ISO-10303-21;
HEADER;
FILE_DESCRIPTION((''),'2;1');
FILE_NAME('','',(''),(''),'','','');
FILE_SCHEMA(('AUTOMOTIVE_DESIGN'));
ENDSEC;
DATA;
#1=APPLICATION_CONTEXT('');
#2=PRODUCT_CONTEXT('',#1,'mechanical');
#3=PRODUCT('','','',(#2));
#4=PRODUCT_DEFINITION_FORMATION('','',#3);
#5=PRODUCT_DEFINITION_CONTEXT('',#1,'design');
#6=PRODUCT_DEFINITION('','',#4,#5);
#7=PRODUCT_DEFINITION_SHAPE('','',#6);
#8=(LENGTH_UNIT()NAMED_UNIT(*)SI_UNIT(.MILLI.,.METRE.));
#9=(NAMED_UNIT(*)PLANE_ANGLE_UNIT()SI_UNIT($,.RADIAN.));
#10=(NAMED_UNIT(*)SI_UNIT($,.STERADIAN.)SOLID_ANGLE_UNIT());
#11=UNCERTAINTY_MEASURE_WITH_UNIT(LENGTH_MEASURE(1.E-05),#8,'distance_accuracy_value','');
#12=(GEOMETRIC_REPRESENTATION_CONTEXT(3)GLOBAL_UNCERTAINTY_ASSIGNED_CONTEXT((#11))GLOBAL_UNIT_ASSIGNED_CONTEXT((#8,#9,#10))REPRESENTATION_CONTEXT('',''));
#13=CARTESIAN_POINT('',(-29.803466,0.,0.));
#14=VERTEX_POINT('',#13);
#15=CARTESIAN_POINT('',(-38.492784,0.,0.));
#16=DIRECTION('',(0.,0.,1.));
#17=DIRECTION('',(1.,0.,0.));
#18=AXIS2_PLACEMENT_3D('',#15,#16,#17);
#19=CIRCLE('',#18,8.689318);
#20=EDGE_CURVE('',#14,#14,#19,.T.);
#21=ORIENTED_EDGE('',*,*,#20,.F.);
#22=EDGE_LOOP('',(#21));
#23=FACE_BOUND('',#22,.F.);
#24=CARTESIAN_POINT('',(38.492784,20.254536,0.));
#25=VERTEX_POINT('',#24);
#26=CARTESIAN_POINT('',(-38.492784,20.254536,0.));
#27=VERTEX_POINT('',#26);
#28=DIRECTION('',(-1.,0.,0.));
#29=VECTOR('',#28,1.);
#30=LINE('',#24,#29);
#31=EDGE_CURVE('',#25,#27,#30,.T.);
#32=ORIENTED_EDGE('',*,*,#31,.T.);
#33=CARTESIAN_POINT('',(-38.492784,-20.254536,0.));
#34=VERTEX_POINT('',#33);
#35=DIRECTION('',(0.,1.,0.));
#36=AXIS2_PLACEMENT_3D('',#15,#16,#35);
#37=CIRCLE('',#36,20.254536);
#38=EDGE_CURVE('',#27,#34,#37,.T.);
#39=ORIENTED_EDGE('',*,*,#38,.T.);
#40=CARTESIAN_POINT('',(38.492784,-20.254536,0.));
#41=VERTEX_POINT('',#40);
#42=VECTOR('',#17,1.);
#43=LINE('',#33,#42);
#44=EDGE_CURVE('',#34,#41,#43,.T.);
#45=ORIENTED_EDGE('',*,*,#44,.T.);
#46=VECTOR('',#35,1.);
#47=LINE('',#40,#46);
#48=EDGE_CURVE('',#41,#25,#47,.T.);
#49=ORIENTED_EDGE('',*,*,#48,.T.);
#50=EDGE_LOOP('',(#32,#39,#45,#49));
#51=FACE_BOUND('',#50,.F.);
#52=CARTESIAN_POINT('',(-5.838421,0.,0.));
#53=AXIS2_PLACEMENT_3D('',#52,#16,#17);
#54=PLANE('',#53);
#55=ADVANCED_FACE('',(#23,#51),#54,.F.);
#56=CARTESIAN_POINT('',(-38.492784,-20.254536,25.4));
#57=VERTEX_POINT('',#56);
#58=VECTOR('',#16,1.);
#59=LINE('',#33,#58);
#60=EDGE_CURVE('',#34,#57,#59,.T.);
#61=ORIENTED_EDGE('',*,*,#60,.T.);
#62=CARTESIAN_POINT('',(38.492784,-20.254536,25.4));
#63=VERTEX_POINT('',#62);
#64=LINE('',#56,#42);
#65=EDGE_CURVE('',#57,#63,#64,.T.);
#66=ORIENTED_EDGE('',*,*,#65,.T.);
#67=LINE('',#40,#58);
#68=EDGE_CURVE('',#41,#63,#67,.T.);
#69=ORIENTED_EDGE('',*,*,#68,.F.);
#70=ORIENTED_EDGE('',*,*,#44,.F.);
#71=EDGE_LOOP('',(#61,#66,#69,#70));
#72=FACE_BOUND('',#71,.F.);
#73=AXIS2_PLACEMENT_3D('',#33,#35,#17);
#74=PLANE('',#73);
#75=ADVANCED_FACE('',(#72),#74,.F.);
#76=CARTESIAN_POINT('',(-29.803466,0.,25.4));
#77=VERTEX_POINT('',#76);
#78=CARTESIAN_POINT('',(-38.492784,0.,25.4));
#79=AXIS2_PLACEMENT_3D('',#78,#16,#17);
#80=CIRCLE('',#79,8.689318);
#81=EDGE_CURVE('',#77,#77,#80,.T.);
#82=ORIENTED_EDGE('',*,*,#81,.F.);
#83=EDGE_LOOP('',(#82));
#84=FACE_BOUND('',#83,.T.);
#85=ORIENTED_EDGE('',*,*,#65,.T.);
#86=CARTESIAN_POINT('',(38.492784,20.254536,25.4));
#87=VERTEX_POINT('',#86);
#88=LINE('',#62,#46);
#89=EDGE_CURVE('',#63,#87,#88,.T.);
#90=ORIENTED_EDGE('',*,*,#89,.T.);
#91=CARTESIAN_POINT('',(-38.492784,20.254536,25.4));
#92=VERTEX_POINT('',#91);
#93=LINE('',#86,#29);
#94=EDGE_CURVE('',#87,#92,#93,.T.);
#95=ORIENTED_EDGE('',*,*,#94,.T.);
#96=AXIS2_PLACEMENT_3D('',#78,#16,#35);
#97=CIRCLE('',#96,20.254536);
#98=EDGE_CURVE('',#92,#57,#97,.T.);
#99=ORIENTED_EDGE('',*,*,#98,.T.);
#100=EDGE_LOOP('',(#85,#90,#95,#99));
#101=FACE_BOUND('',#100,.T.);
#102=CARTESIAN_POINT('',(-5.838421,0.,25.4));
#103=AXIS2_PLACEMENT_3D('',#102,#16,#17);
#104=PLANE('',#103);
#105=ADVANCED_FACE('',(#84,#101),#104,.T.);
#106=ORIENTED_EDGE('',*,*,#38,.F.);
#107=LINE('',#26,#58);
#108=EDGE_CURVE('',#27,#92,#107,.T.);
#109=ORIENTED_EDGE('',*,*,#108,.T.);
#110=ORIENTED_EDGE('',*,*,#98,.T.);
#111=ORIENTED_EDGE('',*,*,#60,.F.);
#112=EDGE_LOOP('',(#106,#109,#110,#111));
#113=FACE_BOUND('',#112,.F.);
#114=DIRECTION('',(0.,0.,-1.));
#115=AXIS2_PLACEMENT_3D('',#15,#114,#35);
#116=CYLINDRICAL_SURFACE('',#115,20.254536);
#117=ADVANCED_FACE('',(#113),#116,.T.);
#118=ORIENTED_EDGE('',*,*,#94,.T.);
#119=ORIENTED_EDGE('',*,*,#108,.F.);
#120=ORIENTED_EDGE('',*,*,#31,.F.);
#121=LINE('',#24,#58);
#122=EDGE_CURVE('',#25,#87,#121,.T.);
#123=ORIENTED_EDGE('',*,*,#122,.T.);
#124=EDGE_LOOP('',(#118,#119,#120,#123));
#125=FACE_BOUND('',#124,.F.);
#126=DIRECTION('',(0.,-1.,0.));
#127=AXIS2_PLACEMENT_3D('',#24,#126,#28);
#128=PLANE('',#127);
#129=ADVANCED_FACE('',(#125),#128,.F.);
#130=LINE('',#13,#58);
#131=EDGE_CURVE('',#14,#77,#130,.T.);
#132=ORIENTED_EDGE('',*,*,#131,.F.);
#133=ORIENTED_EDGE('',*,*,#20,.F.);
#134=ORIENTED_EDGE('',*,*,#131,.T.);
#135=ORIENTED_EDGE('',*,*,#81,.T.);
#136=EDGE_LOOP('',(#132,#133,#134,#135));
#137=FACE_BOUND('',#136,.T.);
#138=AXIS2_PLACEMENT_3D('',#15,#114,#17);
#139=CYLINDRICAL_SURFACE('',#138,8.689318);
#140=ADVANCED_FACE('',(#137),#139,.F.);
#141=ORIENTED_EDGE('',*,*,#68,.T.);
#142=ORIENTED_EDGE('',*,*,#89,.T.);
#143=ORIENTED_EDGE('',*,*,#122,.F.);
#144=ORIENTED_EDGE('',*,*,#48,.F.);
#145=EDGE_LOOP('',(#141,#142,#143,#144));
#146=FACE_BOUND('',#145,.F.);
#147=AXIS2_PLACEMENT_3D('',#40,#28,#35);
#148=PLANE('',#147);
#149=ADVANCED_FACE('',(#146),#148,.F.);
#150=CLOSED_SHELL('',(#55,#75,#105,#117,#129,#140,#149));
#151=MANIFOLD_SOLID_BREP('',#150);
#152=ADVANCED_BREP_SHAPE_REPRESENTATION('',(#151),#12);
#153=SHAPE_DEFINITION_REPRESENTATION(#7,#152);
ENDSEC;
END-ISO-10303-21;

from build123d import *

# Parameters (mm, degrees)
F0_R     = 8.689318
F1_DEPTH = 25.4


with BuildPart() as f1:
    # F0 (on Top) → F1 (new body)
    with BuildSketch(Plane.XY):
        with BuildLine():
            ThreePointArc((-38.492784, 20.254536), (-58.74732, 0), (-38.492784, -20.254536))
            Line((-38.492784, -20.254536), (38.492784, -20.254536))
            Line((38.492784, -20.254536), (38.492784, 20.254536))
            Line((38.492784, 20.254536), (-38.492784, 20.254536))
        make_face()
        with Locations((-38.492784, 0)):
            Circle(F0_R, mode=Mode.SUBTRACT)
    extrude(amount=F1_DEPTH)


solid = f1.part
